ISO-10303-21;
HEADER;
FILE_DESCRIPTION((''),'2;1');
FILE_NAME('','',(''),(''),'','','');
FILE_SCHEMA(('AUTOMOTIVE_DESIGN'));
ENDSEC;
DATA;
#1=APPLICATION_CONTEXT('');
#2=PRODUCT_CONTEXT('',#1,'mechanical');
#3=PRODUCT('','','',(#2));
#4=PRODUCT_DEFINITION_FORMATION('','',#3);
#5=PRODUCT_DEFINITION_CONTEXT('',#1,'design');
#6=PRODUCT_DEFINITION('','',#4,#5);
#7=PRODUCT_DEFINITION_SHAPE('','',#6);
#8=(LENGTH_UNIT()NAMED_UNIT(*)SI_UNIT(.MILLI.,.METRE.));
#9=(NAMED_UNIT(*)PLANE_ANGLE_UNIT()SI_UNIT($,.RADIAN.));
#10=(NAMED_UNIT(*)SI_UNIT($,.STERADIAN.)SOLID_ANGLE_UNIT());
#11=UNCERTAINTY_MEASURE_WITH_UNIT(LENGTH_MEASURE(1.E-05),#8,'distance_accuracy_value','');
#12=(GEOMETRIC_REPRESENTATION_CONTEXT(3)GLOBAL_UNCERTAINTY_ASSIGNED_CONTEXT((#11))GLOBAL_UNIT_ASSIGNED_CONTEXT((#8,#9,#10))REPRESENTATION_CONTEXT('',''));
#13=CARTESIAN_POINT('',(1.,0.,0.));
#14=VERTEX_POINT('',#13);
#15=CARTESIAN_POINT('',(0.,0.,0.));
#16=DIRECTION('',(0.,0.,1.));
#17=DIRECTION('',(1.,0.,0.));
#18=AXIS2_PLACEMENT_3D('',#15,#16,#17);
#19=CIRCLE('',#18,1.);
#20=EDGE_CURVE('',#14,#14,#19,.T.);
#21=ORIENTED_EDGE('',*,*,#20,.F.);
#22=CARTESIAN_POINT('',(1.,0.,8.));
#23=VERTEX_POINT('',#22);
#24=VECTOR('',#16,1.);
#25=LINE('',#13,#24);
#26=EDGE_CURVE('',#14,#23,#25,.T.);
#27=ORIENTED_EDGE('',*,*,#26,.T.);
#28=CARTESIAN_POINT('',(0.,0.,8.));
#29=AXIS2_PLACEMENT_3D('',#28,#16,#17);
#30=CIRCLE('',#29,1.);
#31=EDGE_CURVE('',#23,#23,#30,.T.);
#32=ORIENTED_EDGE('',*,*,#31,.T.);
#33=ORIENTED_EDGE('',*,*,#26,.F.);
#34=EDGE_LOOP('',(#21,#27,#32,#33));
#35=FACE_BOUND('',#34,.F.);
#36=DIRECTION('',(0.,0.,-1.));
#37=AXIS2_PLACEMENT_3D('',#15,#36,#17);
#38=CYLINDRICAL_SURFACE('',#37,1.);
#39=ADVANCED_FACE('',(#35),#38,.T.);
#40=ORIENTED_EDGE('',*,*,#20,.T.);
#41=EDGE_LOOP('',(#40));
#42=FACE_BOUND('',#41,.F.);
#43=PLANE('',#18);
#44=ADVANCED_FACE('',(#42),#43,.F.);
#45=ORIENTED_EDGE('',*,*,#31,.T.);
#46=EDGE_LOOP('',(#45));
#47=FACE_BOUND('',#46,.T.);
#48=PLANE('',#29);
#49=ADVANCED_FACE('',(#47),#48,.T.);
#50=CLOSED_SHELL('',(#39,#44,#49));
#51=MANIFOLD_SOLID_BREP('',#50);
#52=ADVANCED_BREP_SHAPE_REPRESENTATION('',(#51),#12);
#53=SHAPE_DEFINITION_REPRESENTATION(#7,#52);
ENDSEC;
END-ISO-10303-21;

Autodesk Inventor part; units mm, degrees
ref_plane "YZ Plane" through (0, 0, 0) normal (1, 0, 0) x (0, 1, 0)
ref_plane "XZ Plane" through (0, 0, 0) normal (0, 1, 0) x (-1, 0, 0)
ref_plane "XY Plane" through (0, 0, 0) normal (0, 0, 1) x (1, 0, 0)
sketch "スケッチ1" plane through (0, 0, 0) normal (0, 0, 1) x (1, 0, 0)
  circle A0 centre (0, 0) radius 1
  dimension "d0" = 2
extrude "押し出し1" add sketch "スケッチ1" along normal blind 8
properties part number "Shaft_phi2_L10" material "鋼"
